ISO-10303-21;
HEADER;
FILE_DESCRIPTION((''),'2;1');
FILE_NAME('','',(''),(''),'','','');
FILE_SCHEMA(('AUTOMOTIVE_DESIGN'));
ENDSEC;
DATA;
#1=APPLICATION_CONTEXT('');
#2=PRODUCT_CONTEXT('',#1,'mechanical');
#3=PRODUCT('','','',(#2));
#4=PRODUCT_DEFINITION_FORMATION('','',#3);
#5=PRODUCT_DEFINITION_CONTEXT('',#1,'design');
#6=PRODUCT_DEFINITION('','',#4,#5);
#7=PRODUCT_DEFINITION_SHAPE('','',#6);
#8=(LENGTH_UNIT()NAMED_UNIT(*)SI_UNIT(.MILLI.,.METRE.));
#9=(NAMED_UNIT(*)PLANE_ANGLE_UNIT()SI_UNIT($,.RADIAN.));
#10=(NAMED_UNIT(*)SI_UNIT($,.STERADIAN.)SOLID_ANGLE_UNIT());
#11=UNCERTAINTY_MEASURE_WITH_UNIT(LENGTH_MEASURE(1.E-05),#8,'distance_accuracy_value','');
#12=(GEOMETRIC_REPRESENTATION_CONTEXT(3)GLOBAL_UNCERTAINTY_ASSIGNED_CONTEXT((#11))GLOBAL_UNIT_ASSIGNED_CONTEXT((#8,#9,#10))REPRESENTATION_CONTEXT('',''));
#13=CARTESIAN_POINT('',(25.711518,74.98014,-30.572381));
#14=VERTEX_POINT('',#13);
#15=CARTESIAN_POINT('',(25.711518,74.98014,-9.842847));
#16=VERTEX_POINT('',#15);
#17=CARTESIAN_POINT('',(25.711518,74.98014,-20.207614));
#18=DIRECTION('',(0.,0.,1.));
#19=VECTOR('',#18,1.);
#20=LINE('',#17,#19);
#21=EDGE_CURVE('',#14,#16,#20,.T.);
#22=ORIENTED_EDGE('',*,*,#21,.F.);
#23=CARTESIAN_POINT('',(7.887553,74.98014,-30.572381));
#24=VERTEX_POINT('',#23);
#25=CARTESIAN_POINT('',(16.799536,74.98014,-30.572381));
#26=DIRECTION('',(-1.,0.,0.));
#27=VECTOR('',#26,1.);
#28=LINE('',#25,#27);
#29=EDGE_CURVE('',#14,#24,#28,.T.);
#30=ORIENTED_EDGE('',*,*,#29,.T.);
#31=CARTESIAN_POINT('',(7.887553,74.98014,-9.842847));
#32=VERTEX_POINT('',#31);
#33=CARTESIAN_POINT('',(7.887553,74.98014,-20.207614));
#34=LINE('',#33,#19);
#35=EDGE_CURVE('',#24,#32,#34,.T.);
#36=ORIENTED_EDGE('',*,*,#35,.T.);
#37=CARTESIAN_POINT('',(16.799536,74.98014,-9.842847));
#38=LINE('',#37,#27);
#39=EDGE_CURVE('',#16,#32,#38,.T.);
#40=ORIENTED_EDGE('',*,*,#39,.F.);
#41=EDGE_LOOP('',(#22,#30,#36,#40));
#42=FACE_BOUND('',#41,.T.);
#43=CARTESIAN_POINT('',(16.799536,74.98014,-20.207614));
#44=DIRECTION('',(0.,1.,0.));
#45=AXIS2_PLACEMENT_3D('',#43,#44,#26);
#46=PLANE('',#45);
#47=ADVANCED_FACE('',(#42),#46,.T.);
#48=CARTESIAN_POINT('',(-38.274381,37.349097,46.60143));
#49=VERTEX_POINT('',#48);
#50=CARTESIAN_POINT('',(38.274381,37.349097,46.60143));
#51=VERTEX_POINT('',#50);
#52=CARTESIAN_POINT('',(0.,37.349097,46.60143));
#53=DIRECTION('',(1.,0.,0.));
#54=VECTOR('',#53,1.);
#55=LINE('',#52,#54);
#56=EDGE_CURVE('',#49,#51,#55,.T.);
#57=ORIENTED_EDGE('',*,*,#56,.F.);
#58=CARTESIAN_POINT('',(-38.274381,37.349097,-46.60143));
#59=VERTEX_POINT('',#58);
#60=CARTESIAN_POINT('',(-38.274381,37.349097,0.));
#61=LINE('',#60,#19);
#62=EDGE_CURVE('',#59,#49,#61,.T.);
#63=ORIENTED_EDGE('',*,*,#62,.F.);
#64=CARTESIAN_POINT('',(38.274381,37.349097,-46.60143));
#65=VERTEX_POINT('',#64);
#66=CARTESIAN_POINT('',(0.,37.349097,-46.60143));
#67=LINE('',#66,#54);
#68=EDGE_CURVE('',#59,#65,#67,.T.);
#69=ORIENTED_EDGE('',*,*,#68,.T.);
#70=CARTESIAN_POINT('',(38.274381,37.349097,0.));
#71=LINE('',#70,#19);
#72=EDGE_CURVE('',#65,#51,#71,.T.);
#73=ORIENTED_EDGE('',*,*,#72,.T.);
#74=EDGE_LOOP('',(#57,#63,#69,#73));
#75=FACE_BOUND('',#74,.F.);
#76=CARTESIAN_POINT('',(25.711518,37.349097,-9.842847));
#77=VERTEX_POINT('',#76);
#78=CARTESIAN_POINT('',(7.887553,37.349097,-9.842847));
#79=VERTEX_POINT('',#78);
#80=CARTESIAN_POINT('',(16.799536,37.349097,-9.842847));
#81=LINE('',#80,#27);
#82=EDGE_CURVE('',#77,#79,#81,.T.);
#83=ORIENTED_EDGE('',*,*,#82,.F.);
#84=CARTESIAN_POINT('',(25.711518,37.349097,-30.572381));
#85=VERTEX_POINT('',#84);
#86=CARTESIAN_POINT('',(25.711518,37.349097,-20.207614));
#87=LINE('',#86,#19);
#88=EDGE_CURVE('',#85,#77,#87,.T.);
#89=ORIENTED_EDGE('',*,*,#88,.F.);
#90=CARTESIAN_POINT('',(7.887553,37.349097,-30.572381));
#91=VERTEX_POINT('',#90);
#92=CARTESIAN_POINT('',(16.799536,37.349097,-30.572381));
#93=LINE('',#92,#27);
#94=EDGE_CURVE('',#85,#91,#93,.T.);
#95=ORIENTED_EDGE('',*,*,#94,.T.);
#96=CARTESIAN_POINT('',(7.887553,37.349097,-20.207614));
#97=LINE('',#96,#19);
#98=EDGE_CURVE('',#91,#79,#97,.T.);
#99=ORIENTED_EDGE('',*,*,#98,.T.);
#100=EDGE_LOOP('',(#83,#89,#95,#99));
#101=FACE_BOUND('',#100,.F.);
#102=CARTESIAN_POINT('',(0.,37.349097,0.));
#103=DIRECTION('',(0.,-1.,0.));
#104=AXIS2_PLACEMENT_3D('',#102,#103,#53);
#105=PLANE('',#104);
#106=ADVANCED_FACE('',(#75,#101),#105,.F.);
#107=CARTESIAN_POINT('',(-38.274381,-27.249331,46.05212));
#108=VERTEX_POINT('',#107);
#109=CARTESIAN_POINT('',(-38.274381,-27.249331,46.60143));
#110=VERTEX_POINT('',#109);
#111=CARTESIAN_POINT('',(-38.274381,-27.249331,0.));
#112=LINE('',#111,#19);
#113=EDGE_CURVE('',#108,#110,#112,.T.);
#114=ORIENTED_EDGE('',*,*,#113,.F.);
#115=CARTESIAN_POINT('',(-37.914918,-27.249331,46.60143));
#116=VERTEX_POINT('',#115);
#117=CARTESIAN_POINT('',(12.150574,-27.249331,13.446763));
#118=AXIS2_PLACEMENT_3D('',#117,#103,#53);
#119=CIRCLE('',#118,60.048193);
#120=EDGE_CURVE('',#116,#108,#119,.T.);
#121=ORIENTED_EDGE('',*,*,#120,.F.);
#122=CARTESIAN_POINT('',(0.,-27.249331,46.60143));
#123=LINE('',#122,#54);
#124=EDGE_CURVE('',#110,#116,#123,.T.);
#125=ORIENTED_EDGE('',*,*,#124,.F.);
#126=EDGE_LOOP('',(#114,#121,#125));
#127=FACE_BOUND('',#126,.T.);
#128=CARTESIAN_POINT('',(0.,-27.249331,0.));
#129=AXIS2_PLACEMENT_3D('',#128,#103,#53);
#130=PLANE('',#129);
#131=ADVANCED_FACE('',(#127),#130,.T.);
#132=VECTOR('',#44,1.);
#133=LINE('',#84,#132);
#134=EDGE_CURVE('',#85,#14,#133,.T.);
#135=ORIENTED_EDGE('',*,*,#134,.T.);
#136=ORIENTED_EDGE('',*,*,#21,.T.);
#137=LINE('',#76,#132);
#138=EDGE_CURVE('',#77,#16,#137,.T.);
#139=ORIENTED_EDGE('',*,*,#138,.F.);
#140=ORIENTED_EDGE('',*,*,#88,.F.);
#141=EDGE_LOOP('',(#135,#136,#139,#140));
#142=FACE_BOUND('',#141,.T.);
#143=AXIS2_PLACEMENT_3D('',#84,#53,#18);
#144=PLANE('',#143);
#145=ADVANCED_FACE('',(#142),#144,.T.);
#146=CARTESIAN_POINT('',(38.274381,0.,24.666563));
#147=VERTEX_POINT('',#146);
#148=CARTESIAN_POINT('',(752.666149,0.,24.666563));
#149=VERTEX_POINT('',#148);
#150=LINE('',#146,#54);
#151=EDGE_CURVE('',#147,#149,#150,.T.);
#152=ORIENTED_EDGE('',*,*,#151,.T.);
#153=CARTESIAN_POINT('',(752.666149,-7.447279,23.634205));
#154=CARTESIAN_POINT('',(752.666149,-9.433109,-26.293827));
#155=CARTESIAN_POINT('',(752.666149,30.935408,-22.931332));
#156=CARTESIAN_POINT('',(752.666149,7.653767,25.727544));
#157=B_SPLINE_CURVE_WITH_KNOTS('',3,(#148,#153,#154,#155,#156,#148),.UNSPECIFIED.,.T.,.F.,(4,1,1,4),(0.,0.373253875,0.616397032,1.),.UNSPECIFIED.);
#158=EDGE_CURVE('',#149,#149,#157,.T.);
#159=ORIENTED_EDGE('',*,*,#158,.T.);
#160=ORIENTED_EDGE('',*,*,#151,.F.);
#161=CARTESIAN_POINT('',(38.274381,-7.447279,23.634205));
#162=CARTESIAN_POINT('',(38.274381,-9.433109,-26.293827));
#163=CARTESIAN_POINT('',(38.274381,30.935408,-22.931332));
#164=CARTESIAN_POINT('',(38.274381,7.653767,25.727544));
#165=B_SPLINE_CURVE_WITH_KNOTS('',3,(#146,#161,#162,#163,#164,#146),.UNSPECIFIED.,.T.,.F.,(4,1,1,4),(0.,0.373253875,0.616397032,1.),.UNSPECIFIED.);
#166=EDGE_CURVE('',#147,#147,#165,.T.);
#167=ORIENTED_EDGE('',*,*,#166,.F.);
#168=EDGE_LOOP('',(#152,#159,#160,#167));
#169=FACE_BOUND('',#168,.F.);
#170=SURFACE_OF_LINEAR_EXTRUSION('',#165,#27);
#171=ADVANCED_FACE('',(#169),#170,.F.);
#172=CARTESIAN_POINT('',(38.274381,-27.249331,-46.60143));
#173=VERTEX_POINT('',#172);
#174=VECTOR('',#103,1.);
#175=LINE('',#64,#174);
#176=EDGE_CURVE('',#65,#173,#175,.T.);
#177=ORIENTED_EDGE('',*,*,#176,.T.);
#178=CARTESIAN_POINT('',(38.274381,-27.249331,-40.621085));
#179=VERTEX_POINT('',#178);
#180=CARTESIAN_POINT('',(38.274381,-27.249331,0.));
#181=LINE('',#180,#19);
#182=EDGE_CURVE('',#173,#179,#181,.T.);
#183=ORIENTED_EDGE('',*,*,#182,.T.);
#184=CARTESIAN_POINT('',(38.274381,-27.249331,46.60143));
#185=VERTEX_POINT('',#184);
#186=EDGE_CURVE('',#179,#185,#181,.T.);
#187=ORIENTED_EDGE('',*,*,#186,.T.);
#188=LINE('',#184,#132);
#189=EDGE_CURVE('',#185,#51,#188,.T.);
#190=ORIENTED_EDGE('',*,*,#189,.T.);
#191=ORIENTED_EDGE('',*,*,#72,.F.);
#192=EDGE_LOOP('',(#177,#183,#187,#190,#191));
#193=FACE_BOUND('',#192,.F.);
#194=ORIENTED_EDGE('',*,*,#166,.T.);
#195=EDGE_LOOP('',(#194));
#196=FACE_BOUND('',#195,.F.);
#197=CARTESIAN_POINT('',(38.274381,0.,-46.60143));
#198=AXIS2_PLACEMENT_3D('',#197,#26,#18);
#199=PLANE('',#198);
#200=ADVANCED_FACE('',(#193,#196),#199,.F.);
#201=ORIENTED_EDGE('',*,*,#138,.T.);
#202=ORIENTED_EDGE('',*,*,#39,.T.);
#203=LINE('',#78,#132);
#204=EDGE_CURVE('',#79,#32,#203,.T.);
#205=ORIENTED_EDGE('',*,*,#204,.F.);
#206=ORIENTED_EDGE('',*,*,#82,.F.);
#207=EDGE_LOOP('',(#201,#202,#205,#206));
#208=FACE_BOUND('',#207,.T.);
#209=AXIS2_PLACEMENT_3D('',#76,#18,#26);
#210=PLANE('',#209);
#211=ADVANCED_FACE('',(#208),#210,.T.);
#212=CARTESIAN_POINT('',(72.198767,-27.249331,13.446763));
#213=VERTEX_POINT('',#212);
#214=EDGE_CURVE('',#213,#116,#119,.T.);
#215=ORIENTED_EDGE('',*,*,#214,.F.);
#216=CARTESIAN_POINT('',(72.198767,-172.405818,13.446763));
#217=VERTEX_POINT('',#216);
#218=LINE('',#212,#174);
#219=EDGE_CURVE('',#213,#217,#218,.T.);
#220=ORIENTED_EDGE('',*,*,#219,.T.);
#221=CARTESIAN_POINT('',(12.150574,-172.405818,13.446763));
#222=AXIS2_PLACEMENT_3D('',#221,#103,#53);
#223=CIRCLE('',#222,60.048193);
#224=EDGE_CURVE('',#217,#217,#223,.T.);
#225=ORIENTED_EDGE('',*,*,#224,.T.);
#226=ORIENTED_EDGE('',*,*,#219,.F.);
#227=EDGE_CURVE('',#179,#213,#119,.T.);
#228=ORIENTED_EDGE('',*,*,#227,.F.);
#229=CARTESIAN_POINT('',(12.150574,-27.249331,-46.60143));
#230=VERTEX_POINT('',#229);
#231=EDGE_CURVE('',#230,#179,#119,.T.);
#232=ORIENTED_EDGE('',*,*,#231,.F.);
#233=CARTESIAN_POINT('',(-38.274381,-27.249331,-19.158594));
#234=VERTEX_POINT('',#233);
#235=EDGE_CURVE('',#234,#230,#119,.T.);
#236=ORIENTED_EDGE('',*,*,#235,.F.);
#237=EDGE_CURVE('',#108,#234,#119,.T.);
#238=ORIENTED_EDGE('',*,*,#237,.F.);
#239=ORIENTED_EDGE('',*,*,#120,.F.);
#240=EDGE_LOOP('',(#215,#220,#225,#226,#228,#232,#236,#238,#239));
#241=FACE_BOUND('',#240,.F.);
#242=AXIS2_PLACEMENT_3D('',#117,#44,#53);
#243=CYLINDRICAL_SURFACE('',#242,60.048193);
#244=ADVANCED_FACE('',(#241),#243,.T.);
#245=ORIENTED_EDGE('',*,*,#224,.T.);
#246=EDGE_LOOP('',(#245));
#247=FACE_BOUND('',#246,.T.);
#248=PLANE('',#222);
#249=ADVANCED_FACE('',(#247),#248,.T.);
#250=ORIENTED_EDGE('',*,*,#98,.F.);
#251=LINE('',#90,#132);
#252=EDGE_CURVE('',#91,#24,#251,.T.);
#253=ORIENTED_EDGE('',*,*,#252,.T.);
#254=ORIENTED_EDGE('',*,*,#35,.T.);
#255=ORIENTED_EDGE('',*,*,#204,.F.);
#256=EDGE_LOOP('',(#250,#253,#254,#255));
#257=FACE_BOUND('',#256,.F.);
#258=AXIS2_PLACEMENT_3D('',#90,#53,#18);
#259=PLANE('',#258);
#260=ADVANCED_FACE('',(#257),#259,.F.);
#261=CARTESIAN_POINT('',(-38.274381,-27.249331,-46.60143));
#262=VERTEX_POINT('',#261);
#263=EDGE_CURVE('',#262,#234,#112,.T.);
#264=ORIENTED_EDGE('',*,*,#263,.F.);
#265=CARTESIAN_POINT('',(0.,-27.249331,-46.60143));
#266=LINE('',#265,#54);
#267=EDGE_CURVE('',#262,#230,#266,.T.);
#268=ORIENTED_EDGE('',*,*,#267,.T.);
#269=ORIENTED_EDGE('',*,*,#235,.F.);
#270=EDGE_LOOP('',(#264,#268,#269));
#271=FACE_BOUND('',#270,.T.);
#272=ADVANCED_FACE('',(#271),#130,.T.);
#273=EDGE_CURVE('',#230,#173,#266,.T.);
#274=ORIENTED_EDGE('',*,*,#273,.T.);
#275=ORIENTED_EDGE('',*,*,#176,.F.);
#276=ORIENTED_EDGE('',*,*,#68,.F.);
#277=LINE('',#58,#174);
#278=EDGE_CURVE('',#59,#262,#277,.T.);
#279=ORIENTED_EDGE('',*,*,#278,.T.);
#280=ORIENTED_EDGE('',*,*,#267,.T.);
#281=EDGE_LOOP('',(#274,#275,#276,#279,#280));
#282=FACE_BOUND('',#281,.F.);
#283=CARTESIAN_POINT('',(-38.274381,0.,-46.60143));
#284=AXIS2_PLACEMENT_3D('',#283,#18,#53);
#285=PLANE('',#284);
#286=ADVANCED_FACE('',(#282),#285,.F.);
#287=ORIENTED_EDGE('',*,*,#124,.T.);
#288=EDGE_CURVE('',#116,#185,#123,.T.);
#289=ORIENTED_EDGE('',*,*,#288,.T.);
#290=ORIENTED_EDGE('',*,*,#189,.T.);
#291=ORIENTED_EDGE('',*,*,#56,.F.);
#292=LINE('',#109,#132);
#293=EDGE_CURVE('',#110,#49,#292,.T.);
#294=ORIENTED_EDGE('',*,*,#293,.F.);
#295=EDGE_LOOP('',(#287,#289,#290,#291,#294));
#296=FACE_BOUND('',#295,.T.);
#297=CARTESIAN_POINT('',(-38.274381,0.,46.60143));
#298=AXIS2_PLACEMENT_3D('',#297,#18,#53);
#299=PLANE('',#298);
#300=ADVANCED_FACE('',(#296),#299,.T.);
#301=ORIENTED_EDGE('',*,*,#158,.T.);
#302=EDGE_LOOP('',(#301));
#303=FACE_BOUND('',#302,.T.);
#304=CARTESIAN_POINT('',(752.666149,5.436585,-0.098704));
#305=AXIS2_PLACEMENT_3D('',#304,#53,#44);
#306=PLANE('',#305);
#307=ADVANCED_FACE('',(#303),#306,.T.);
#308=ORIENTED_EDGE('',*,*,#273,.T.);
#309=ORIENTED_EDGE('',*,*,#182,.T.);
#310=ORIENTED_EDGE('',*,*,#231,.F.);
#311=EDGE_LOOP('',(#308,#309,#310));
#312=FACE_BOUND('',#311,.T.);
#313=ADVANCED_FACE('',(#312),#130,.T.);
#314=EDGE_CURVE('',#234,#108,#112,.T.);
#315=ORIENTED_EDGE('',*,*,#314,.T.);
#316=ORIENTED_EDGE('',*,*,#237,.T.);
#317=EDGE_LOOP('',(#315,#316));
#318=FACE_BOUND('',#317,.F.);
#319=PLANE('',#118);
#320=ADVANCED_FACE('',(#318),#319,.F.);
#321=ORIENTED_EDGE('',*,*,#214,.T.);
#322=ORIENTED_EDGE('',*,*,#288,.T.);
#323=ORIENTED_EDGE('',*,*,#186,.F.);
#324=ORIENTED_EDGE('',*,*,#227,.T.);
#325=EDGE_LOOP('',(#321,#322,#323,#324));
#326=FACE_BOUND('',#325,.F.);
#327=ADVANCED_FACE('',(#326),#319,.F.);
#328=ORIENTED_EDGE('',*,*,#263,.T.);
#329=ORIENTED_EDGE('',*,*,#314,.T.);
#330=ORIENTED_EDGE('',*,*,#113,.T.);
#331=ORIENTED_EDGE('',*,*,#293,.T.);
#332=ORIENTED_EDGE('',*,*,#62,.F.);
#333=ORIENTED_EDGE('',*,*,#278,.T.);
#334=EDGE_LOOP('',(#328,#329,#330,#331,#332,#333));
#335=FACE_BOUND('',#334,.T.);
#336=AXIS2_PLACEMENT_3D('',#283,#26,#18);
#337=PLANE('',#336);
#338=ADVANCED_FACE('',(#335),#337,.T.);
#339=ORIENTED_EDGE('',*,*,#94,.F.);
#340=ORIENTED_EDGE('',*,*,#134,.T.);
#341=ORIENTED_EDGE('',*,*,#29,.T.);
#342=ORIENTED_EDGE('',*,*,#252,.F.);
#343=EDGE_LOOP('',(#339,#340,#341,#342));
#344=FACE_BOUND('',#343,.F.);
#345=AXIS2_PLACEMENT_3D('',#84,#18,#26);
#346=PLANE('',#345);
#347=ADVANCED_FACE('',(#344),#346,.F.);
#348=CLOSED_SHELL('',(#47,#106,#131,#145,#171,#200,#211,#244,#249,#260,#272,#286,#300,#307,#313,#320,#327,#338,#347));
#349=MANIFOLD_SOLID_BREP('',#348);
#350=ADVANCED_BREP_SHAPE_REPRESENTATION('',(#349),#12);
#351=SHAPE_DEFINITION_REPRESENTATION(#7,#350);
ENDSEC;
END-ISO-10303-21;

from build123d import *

# Parameters (mm, degrees)
F0_W          = 76.5487626195
F0_H          = 93.2028591633
F1_DEPTH      = 37.3490974307
F1_DEPTH_BACK = 27.2493306547
F2_W          = 17.8239643574
F2_H          = 20.729534328
F3_DEPTH      = 37.6310423017
F5_DEPTH      = 714.3917679787
F6_R          = 60.0481927395
F7_DEPTH      = 145.1564878225


with BuildPart() as f1:
    # F0 (on Front) → F1 (new body, two sides)
    with BuildSketch(Plane.XZ) as f1_sk:
        Rectangle(F0_W, F0_H)
    extrude(amount=-F1_DEPTH)
    extrude(f1_sk.sketch, amount=F1_DEPTH_BACK)

    # F2 (on face) → F3 (join)
    with BuildSketch(Plane(origin=(0, 37.3490974307, 0), x_dir=(-1, 0, 0), z_dir=(0, 1, 0))):
        with Locations((-16.7995356023, -20.2076137066)):
            Rectangle(F2_W, F2_H)
    extrude(amount=F3_DEPTH)

    # F4 (on face) → F5 (join)
    with BuildSketch(Plane.YZ.offset(38.2743813097)):
        with BuildLine():
            add(Edge.make_bspline(
                [(0, 24.6665626764), (-7.4472791087, 23.6342052026), (-9.433108542, -26.2938272196), (30.9354078189, -22.9313317229), (7.6537674592, 25.7275439991), (0, 24.6665626764)],
                knots=[0, 0, 0, 0, 0.3732538755, 0.6163970324, 1, 1, 1, 1], degree=3))
        make_face()
    extrude(amount=F5_DEPTH)

    # F6 (on face) → F7 (join)
    with BuildSketch(Plane.XZ.offset(27.2493306547)):
        with Locations((12.1505744755, 13.4467631578)):
            Circle(F6_R)
    extrude(amount=F7_DEPTH)


solid = f1.part
